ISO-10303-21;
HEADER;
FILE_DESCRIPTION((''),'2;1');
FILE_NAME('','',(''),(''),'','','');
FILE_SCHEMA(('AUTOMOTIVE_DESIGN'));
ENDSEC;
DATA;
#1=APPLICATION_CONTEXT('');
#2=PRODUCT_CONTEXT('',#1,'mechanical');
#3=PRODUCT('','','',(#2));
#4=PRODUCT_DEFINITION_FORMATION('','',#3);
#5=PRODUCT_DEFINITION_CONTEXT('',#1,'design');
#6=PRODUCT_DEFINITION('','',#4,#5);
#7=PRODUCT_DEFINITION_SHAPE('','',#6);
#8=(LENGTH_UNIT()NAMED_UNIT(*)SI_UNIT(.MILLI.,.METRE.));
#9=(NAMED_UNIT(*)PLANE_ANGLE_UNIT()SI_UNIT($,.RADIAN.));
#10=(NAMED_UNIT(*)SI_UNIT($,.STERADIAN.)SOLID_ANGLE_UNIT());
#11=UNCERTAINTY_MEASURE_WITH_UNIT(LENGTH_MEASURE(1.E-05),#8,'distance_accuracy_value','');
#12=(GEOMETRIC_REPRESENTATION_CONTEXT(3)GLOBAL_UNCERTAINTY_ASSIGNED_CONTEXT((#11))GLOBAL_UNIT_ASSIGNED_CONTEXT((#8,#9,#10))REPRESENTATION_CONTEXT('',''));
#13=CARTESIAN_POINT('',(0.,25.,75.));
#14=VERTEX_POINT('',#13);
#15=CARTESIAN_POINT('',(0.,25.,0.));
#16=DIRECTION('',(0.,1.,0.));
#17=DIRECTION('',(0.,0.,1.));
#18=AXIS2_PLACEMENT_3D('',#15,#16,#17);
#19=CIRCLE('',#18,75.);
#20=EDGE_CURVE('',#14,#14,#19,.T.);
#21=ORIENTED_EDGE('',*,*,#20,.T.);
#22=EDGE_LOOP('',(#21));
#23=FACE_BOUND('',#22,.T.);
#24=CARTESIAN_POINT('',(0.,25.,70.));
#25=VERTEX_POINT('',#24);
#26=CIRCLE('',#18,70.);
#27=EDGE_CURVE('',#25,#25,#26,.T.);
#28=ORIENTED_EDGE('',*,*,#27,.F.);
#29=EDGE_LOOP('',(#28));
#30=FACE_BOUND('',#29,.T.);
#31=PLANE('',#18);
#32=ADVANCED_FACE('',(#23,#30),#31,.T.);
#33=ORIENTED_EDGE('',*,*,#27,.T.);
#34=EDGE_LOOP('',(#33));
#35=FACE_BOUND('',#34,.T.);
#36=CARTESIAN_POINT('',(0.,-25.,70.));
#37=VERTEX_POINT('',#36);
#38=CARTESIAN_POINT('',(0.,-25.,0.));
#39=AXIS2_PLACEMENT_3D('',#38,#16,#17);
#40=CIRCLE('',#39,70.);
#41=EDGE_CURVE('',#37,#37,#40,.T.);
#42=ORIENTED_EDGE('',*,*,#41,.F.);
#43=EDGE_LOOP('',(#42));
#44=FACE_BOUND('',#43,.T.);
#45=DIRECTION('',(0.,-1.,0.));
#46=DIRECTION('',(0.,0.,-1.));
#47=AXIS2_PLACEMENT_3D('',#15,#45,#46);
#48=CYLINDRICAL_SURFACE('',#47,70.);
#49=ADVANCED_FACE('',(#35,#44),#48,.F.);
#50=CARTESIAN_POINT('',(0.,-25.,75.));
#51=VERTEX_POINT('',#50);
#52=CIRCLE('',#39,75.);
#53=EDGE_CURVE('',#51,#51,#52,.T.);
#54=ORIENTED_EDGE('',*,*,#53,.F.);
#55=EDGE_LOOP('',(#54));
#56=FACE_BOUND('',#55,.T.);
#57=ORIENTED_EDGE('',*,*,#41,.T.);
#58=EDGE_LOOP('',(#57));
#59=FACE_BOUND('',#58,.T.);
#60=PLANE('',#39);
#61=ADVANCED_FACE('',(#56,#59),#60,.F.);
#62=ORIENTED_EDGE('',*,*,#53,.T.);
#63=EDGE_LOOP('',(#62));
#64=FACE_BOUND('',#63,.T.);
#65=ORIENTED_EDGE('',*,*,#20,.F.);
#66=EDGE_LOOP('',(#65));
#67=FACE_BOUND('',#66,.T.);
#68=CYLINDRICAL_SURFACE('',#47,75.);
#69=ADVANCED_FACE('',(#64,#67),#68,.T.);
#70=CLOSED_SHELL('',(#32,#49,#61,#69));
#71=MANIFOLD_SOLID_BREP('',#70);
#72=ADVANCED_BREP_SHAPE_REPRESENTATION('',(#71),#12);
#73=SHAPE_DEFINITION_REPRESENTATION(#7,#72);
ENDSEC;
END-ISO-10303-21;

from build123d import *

# Parameters (mm, degrees)
SKETCH_1_R      = 75
SKETCH_1_R_2    = 70
EXTRUDE_1_DEPTH = 25


with BuildPart() as part:
    # 草图1 → 凸台-拉伸1 (new, symmetric)
    with BuildSketch(Plane(origin=(0, 0, 0), x_dir=(1, 0, 0), z_dir=(0, 1, 0))):
        with Locations(Location((0, 0, 0), (0, 0, 270))):
            Circle(SKETCH_1_R)
        with Locations(Location((0, 0, 0), (0, 0, 270))):
            Circle(SKETCH_1_R_2, mode=Mode.SUBTRACT)
    extrude(amount=EXTRUDE_1_DEPTH, both=True)


solid = part.part
